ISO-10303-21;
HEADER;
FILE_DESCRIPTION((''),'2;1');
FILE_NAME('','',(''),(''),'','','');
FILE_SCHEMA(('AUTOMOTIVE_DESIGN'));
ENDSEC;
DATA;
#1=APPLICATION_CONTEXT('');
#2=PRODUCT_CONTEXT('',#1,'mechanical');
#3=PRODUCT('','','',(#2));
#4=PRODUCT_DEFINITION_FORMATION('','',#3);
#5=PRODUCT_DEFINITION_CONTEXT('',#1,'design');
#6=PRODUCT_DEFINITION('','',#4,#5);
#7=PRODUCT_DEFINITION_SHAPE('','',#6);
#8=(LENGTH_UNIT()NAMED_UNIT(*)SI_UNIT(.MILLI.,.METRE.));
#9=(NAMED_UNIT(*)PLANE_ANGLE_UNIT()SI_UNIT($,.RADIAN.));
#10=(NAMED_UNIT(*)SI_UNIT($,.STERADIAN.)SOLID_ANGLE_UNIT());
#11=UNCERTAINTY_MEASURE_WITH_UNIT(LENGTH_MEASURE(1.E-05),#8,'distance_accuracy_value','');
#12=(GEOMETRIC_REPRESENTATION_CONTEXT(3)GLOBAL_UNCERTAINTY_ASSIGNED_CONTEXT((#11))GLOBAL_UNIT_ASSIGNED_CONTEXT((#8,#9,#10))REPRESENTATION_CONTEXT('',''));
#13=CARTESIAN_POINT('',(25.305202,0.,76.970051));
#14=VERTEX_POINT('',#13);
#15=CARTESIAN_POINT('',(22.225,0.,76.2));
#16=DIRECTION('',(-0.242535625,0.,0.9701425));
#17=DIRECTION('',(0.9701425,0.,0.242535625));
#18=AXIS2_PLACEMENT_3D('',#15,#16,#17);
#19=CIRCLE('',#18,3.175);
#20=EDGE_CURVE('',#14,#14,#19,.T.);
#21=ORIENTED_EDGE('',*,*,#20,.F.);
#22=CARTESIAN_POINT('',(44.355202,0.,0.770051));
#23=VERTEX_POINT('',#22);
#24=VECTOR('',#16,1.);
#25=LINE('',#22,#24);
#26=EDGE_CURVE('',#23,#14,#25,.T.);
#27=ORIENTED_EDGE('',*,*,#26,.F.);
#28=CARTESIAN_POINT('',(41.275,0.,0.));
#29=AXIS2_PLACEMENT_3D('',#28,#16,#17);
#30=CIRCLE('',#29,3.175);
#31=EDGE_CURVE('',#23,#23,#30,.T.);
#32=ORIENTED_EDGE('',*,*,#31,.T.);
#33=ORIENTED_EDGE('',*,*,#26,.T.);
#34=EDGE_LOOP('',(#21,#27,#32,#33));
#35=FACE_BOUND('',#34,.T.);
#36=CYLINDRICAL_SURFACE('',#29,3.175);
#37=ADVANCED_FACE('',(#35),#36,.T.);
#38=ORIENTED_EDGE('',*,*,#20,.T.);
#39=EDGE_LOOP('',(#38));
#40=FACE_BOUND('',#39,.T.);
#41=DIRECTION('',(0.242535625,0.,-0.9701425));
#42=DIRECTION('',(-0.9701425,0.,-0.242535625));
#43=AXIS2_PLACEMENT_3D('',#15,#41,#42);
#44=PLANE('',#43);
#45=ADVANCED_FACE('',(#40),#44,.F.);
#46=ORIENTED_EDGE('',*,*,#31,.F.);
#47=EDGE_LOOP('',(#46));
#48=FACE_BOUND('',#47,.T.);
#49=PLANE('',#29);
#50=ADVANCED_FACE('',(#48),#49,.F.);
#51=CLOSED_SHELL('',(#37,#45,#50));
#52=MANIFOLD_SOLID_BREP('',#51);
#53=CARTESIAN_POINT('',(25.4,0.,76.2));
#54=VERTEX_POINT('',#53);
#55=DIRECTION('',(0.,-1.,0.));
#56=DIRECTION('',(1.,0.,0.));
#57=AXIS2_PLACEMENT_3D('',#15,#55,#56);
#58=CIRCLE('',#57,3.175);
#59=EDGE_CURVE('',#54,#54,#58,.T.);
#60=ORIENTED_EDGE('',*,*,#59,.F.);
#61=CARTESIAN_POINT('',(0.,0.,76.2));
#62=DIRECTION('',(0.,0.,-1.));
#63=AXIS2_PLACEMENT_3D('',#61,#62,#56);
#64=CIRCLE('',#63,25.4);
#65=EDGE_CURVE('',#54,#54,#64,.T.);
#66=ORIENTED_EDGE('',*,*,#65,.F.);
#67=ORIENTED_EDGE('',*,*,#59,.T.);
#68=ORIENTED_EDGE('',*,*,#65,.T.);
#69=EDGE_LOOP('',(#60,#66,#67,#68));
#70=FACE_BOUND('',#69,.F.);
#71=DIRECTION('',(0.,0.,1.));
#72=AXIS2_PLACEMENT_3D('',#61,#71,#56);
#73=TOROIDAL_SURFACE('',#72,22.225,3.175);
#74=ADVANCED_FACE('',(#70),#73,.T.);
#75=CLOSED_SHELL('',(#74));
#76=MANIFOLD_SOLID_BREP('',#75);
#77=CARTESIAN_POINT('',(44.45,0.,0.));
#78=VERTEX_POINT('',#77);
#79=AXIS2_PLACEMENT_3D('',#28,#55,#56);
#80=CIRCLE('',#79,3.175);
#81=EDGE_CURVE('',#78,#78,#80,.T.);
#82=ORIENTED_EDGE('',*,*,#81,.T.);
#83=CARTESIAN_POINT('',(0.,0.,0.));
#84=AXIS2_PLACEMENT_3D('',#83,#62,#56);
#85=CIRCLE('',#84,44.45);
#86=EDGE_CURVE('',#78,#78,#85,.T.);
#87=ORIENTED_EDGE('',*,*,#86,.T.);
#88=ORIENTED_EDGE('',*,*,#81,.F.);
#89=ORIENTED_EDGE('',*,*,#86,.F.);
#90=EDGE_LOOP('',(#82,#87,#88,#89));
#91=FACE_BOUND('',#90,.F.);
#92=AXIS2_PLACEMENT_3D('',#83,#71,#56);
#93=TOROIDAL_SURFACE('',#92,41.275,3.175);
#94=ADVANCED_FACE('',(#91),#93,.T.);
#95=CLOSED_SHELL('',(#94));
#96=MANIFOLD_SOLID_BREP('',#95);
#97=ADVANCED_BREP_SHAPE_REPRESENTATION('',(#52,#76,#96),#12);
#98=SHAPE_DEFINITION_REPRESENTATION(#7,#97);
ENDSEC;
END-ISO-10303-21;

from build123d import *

# Parameters (mm, degrees)
F0_R = 3.175


with BuildPart() as f1:
    # F0 (on Front) → F1 (revolve)
    with BuildSketch(Plane.XZ):
        with Locations((22.225, 76.2)):
            Circle(F0_R)
    revolve(axis=Axis((0, 0, 32.0470281877), (0, 0, -1)))


with BuildPart() as f1b:
    # F0 (on Front) → F1, piece 2 (revolve)
    with BuildSketch(Plane.XZ):
        with Locations((41.275, 0)):
            Circle(F0_R)
    revolve(axis=Axis((0, 0, 32.0470281877), (0, 0, -1)))


with BuildPart() as f3:
    # F2 (on Front) → F3 (revolve)
    with BuildSketch(Plane.XZ):
        Polygon((22.225, 76.2), (41.275, 0), (44.355202438, 0.7700506095), (25.305202438, 76.9700506095), align=None)
    revolve(axis=Axis((31.75, 0, 38.1), (-0.242535625, 0, 0.9701425001)))


solid = Compound([f1.part, f1b.part, f3.part])
